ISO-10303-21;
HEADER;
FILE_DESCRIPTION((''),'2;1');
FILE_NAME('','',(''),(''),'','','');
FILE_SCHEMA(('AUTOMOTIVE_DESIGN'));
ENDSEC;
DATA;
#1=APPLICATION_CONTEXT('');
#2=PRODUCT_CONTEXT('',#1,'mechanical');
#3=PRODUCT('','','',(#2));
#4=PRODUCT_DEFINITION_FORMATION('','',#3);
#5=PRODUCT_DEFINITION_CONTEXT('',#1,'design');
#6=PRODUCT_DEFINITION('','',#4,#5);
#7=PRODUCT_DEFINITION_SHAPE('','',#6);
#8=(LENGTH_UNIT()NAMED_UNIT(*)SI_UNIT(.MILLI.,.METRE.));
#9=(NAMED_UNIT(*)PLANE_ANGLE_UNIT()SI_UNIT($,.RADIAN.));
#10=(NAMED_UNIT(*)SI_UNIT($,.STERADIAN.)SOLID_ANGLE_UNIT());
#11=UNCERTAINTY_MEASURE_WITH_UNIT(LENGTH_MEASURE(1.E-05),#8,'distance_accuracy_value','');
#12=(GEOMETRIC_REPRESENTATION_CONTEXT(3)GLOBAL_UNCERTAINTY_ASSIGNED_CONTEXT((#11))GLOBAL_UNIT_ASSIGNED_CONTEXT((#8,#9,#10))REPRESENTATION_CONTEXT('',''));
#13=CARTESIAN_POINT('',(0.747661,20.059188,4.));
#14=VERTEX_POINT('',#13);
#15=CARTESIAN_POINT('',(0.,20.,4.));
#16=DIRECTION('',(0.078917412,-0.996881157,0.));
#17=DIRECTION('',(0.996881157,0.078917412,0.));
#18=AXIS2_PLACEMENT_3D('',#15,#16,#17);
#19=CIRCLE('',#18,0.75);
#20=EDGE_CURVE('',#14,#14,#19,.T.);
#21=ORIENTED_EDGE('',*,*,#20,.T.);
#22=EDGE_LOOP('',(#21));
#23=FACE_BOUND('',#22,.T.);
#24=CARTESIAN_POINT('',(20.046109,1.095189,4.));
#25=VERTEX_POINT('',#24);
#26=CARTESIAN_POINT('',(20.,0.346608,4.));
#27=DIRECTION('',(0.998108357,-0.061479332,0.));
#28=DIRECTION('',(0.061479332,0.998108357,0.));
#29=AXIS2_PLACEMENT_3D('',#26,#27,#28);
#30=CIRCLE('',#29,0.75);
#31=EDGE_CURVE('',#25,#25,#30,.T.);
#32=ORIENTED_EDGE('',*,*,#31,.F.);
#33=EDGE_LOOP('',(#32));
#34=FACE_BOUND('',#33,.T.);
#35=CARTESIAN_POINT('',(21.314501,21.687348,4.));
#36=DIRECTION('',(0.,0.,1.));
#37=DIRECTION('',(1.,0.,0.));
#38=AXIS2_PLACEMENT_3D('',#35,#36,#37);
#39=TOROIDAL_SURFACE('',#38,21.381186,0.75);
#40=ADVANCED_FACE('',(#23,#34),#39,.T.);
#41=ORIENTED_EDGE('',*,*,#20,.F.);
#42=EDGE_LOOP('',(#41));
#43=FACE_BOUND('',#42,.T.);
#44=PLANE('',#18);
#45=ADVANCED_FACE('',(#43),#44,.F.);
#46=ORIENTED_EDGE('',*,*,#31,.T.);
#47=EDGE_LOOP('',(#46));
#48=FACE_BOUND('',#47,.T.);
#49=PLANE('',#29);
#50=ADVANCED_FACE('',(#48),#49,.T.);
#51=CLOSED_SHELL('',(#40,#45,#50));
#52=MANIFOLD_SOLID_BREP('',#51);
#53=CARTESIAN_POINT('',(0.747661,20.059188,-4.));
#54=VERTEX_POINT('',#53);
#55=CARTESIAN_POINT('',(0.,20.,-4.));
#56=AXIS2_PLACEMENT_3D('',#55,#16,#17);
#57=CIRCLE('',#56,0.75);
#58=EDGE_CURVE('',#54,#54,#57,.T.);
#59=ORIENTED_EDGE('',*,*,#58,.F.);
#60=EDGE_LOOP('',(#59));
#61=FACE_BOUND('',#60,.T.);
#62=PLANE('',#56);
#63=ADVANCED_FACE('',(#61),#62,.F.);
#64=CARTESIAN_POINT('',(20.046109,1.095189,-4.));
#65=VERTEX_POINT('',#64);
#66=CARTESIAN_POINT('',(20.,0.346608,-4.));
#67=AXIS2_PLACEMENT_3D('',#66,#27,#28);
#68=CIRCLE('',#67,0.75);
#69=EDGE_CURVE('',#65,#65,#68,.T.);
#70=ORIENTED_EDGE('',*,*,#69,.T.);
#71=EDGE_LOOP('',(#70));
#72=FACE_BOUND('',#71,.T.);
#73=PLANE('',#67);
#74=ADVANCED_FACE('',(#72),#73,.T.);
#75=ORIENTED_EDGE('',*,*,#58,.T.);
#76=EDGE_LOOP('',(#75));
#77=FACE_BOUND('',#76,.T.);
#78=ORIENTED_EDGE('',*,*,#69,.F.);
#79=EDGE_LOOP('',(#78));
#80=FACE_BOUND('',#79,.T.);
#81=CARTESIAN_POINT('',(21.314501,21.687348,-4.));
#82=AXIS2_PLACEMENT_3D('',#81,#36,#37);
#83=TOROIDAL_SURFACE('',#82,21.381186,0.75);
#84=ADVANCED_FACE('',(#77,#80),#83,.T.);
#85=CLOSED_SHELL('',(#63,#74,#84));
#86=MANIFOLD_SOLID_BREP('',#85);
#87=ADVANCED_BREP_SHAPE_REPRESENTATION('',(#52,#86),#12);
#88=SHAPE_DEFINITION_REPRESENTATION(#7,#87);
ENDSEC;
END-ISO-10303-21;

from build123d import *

# Parameters (mm, degrees)
SKETCH_2_R = 0.75


with BuildPart() as part:
    # 掃出1: sweep along a path in 草圖1
    with BuildLine(Plane.XY) as sweep_1_path:
        ThreePointArc((0, 20), (6.328444531, 6.436996791), (20, 0.346607863))
    # 草圖2 → 掃出1 (sweep)
    with BuildSketch(Plane(origin=(0, 20, 0), x_dir=(-0.996881157, -0.078917412, 0), z_dir=(0.078917412, -0.996881157, 0))):
        with Locations((0, 4)):
            Circle(SKETCH_2_R)
        with Locations((0, -4)):
            Circle(SKETCH_2_R)
    sweep(path=sweep_1_path.line)


solid = part.part
